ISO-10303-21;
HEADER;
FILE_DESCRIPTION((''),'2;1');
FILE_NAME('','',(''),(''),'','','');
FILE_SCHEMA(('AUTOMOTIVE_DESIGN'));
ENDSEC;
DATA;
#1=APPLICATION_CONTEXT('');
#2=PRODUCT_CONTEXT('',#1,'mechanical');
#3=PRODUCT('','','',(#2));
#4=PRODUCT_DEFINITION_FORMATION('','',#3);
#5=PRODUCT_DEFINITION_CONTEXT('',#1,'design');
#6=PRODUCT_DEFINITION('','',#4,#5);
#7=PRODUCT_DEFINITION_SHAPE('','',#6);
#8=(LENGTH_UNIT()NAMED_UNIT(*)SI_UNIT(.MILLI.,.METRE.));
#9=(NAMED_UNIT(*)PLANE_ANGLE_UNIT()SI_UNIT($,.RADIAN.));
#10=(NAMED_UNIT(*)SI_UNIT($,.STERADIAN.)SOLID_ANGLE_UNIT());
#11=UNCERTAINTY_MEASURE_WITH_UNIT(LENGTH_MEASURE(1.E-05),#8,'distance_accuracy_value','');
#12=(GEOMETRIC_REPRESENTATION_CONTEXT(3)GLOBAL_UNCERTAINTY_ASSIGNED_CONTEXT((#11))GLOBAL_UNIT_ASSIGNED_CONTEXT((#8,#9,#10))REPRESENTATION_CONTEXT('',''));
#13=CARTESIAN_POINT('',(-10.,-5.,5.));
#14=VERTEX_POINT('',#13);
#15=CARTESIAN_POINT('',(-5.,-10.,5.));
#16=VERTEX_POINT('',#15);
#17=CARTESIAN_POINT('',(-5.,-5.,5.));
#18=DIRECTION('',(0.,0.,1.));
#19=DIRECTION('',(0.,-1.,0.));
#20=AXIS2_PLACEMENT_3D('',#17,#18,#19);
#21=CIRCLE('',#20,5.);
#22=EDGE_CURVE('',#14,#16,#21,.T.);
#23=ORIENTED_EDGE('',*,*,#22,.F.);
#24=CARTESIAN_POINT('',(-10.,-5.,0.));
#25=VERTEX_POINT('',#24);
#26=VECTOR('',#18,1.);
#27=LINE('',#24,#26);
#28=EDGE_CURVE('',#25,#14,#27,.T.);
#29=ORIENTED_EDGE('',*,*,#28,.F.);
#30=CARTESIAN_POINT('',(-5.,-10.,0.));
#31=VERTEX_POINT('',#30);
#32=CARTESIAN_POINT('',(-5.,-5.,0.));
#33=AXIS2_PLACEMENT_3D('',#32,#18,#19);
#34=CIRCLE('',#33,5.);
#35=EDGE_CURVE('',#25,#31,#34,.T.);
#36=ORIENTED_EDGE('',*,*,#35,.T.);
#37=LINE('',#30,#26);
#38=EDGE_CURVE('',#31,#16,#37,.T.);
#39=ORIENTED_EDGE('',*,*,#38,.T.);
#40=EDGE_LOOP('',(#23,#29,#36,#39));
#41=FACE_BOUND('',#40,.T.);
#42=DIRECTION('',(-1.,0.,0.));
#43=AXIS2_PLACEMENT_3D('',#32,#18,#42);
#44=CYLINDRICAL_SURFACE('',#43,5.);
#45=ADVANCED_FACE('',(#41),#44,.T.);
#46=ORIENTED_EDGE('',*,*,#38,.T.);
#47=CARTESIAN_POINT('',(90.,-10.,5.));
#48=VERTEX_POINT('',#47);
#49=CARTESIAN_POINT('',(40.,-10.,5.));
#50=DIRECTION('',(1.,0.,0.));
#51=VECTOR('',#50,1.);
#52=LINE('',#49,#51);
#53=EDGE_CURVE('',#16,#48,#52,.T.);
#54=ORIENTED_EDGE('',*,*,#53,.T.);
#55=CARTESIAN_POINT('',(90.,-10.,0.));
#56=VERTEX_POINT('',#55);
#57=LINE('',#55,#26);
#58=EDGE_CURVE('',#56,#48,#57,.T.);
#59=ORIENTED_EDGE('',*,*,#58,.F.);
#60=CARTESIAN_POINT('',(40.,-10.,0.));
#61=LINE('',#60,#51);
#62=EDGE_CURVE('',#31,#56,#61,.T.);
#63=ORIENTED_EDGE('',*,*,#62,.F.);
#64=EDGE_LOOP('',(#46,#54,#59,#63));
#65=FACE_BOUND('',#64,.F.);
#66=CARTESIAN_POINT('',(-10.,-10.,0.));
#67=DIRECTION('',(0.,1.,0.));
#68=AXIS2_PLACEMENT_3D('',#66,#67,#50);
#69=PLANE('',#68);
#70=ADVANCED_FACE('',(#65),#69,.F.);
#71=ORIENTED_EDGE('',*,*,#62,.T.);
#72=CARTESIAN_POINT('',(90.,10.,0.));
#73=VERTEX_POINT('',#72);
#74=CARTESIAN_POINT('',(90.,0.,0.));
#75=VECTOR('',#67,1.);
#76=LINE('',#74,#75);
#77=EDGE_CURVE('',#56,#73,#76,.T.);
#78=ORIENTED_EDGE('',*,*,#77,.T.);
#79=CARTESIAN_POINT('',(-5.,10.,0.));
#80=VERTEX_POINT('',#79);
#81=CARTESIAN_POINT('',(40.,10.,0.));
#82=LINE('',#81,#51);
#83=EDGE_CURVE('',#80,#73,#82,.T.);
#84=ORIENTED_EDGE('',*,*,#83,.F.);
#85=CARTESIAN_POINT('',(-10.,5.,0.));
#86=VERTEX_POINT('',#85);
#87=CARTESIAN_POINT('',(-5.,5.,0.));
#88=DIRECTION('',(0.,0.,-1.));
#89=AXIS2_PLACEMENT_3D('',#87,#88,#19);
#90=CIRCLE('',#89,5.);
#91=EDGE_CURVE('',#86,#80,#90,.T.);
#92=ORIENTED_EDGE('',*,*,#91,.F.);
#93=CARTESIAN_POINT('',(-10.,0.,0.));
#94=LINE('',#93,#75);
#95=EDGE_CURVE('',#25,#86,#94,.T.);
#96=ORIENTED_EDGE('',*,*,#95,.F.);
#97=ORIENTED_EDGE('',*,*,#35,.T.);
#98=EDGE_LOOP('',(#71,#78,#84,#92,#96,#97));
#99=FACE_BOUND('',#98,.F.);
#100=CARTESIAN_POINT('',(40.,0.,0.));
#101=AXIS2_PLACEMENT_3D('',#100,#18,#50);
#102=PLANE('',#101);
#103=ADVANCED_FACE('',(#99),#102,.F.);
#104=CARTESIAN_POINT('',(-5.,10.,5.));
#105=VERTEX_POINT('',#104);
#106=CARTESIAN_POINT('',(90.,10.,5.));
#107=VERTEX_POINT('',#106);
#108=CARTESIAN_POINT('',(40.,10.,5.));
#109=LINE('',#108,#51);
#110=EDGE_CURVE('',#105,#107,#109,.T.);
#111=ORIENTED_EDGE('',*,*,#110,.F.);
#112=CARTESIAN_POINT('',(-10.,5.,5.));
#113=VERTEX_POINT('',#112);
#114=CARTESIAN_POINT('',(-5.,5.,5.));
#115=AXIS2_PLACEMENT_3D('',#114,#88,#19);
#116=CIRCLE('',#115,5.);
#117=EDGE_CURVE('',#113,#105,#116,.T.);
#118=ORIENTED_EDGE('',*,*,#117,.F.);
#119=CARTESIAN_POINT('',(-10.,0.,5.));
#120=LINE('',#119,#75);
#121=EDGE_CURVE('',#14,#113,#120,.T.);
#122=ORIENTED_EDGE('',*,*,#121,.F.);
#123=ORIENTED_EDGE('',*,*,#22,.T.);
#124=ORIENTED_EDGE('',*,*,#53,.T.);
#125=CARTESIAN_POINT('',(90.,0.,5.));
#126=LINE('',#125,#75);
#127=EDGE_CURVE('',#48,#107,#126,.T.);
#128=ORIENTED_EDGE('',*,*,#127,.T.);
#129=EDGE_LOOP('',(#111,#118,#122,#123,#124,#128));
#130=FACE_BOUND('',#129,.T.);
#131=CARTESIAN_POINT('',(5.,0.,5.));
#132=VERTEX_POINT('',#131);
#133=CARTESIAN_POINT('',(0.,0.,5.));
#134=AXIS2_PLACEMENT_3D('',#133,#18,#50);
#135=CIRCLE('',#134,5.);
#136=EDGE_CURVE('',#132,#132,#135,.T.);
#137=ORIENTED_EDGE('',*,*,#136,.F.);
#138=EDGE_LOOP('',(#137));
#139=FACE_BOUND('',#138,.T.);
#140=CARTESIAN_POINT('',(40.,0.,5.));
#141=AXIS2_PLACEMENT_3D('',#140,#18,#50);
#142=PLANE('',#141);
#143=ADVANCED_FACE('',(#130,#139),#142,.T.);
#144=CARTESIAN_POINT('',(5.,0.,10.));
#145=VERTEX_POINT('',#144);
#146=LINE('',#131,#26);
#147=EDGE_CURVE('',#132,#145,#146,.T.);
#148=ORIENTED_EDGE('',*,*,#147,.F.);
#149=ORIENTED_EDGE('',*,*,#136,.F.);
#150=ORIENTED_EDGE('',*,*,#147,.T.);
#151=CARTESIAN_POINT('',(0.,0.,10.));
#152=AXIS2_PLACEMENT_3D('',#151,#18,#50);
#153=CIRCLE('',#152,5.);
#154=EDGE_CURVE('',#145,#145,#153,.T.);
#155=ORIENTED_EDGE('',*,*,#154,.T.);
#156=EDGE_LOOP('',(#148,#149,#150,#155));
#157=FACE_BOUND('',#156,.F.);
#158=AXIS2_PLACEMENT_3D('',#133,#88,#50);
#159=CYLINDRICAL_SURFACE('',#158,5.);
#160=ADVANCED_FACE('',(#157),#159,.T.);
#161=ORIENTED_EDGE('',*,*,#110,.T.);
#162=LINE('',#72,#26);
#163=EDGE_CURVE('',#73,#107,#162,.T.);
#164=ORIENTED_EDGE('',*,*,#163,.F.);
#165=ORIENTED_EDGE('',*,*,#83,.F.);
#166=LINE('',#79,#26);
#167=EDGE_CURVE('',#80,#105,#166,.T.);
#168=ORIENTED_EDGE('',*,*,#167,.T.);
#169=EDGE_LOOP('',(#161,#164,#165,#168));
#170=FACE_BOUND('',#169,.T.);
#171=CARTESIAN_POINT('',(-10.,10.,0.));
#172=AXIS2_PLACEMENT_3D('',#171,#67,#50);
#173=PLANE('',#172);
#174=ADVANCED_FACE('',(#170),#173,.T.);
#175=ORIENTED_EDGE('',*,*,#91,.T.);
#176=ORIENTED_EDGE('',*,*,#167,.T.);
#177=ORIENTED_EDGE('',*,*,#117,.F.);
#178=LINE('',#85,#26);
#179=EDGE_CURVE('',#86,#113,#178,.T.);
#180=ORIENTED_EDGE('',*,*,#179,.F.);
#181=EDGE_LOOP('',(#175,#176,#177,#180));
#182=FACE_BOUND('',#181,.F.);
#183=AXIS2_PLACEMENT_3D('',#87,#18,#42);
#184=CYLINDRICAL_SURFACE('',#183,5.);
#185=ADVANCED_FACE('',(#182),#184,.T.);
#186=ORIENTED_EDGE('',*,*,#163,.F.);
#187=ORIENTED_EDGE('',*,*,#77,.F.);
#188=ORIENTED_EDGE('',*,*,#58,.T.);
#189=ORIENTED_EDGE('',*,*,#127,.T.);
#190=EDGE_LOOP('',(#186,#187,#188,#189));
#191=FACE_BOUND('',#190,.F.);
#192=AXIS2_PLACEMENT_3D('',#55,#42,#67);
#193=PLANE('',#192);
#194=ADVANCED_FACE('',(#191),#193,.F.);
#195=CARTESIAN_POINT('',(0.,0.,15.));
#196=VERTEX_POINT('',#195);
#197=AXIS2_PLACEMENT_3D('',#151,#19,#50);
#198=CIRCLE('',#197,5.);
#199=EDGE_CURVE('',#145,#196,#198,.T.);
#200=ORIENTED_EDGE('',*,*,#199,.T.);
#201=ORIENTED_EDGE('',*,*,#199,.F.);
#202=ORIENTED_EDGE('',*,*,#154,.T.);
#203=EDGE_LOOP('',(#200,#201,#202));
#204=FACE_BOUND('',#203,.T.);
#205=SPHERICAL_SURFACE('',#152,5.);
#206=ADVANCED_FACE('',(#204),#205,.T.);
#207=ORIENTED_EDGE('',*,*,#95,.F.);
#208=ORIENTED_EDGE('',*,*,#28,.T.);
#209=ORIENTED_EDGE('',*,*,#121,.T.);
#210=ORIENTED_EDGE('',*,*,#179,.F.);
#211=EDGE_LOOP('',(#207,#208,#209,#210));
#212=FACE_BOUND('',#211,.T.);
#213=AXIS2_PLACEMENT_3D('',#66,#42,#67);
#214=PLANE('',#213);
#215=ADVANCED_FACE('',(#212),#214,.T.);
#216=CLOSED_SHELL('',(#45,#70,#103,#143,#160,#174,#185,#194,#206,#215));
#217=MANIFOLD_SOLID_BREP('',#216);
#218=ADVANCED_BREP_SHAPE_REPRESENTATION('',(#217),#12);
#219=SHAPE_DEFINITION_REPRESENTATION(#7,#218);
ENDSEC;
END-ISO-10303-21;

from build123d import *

# Parameters (mm, degrees)
F0_W     = 100
F0_H     = 20
F1_DEPTH = 5
F2_R     = 5
F3_DEPTH = 10
F4_R     = 5
F5_R     = 5


with BuildPart() as f1:
    # F0 (on Top) → F1 (new body)
    with BuildSketch(Plane.XY):
        with Locations((40, 0)):
            Rectangle(F0_W, F0_H)
    extrude(amount=F1_DEPTH)

    # F2 (on face) → F3 (join)
    with BuildSketch(Plane.XY.offset(5)):
        Circle(F2_R)
    extrude(amount=F3_DEPTH)

    # F4
    f4_edges = [f1.edges().sort_by_distance(p)[0] for p in [
        (-10, -10, 2.5),
        (-10, 10, 2.5),
    ]]
    fillet(f4_edges, radius=F4_R)

    # F5
    f5_edges = [f1.edges().sort_by_distance(p)[0] for p in [
        (-5, 0, 15),
    ]]
    fillet(f5_edges, radius=F5_R)


solid = f1.part
